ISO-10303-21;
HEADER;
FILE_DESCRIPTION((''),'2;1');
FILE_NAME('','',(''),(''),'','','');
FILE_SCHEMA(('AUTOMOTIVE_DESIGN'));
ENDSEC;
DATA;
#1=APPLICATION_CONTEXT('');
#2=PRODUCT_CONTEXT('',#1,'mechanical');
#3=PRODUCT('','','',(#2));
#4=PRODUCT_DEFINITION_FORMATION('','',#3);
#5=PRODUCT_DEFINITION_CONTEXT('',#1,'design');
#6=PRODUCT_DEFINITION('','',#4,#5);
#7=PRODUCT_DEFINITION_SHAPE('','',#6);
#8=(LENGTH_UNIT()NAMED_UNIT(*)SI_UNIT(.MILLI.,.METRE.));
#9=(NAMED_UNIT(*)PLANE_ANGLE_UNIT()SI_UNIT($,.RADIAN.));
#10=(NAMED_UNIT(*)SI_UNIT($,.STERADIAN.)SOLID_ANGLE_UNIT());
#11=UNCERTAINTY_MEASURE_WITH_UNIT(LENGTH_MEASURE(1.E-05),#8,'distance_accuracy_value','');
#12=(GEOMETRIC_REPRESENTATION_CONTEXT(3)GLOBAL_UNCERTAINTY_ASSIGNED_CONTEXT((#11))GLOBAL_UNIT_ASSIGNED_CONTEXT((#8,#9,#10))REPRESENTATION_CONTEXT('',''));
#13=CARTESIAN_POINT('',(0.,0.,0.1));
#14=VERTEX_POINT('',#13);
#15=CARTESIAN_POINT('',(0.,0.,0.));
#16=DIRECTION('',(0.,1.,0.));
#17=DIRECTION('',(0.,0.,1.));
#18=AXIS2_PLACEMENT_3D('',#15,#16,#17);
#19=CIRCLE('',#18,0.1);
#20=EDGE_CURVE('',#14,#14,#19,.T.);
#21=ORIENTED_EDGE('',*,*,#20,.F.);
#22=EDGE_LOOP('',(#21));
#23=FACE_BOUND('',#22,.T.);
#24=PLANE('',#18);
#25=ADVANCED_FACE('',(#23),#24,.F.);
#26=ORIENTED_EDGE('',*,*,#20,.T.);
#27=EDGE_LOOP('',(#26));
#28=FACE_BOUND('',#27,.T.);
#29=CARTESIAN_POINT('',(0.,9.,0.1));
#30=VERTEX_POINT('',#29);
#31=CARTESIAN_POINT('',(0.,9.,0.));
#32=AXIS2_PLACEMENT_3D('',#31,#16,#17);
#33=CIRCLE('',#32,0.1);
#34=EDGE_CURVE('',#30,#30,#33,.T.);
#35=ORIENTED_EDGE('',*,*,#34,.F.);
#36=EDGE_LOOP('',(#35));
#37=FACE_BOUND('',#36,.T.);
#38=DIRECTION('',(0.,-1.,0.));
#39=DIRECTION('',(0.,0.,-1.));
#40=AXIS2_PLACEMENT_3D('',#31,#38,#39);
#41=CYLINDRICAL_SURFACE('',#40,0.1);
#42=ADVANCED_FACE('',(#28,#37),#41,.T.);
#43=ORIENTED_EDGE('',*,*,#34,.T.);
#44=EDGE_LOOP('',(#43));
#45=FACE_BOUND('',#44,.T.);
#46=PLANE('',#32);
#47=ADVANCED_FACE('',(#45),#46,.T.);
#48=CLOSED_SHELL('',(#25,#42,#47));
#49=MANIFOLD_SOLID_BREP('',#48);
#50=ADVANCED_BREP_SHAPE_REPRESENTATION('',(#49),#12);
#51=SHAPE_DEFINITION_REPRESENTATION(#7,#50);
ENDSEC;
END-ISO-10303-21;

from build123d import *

# Parameters (mm, degrees)
SKETCH_1_R      = 0.1
EXTRUDE_1_DEPTH = 9


with BuildPart() as part:
    # Эскиз1 → Бобышка-Вытянуть1 (new body)
    with BuildSketch(Plane(origin=(0, 0, 0), x_dir=(1, 0, 0), z_dir=(0, 1, 0))):
        with Locations(Location((0, 0, 0), (0, 0, 270))):
            Circle(SKETCH_1_R)
    extrude(amount=EXTRUDE_1_DEPTH)


solid = part.part
